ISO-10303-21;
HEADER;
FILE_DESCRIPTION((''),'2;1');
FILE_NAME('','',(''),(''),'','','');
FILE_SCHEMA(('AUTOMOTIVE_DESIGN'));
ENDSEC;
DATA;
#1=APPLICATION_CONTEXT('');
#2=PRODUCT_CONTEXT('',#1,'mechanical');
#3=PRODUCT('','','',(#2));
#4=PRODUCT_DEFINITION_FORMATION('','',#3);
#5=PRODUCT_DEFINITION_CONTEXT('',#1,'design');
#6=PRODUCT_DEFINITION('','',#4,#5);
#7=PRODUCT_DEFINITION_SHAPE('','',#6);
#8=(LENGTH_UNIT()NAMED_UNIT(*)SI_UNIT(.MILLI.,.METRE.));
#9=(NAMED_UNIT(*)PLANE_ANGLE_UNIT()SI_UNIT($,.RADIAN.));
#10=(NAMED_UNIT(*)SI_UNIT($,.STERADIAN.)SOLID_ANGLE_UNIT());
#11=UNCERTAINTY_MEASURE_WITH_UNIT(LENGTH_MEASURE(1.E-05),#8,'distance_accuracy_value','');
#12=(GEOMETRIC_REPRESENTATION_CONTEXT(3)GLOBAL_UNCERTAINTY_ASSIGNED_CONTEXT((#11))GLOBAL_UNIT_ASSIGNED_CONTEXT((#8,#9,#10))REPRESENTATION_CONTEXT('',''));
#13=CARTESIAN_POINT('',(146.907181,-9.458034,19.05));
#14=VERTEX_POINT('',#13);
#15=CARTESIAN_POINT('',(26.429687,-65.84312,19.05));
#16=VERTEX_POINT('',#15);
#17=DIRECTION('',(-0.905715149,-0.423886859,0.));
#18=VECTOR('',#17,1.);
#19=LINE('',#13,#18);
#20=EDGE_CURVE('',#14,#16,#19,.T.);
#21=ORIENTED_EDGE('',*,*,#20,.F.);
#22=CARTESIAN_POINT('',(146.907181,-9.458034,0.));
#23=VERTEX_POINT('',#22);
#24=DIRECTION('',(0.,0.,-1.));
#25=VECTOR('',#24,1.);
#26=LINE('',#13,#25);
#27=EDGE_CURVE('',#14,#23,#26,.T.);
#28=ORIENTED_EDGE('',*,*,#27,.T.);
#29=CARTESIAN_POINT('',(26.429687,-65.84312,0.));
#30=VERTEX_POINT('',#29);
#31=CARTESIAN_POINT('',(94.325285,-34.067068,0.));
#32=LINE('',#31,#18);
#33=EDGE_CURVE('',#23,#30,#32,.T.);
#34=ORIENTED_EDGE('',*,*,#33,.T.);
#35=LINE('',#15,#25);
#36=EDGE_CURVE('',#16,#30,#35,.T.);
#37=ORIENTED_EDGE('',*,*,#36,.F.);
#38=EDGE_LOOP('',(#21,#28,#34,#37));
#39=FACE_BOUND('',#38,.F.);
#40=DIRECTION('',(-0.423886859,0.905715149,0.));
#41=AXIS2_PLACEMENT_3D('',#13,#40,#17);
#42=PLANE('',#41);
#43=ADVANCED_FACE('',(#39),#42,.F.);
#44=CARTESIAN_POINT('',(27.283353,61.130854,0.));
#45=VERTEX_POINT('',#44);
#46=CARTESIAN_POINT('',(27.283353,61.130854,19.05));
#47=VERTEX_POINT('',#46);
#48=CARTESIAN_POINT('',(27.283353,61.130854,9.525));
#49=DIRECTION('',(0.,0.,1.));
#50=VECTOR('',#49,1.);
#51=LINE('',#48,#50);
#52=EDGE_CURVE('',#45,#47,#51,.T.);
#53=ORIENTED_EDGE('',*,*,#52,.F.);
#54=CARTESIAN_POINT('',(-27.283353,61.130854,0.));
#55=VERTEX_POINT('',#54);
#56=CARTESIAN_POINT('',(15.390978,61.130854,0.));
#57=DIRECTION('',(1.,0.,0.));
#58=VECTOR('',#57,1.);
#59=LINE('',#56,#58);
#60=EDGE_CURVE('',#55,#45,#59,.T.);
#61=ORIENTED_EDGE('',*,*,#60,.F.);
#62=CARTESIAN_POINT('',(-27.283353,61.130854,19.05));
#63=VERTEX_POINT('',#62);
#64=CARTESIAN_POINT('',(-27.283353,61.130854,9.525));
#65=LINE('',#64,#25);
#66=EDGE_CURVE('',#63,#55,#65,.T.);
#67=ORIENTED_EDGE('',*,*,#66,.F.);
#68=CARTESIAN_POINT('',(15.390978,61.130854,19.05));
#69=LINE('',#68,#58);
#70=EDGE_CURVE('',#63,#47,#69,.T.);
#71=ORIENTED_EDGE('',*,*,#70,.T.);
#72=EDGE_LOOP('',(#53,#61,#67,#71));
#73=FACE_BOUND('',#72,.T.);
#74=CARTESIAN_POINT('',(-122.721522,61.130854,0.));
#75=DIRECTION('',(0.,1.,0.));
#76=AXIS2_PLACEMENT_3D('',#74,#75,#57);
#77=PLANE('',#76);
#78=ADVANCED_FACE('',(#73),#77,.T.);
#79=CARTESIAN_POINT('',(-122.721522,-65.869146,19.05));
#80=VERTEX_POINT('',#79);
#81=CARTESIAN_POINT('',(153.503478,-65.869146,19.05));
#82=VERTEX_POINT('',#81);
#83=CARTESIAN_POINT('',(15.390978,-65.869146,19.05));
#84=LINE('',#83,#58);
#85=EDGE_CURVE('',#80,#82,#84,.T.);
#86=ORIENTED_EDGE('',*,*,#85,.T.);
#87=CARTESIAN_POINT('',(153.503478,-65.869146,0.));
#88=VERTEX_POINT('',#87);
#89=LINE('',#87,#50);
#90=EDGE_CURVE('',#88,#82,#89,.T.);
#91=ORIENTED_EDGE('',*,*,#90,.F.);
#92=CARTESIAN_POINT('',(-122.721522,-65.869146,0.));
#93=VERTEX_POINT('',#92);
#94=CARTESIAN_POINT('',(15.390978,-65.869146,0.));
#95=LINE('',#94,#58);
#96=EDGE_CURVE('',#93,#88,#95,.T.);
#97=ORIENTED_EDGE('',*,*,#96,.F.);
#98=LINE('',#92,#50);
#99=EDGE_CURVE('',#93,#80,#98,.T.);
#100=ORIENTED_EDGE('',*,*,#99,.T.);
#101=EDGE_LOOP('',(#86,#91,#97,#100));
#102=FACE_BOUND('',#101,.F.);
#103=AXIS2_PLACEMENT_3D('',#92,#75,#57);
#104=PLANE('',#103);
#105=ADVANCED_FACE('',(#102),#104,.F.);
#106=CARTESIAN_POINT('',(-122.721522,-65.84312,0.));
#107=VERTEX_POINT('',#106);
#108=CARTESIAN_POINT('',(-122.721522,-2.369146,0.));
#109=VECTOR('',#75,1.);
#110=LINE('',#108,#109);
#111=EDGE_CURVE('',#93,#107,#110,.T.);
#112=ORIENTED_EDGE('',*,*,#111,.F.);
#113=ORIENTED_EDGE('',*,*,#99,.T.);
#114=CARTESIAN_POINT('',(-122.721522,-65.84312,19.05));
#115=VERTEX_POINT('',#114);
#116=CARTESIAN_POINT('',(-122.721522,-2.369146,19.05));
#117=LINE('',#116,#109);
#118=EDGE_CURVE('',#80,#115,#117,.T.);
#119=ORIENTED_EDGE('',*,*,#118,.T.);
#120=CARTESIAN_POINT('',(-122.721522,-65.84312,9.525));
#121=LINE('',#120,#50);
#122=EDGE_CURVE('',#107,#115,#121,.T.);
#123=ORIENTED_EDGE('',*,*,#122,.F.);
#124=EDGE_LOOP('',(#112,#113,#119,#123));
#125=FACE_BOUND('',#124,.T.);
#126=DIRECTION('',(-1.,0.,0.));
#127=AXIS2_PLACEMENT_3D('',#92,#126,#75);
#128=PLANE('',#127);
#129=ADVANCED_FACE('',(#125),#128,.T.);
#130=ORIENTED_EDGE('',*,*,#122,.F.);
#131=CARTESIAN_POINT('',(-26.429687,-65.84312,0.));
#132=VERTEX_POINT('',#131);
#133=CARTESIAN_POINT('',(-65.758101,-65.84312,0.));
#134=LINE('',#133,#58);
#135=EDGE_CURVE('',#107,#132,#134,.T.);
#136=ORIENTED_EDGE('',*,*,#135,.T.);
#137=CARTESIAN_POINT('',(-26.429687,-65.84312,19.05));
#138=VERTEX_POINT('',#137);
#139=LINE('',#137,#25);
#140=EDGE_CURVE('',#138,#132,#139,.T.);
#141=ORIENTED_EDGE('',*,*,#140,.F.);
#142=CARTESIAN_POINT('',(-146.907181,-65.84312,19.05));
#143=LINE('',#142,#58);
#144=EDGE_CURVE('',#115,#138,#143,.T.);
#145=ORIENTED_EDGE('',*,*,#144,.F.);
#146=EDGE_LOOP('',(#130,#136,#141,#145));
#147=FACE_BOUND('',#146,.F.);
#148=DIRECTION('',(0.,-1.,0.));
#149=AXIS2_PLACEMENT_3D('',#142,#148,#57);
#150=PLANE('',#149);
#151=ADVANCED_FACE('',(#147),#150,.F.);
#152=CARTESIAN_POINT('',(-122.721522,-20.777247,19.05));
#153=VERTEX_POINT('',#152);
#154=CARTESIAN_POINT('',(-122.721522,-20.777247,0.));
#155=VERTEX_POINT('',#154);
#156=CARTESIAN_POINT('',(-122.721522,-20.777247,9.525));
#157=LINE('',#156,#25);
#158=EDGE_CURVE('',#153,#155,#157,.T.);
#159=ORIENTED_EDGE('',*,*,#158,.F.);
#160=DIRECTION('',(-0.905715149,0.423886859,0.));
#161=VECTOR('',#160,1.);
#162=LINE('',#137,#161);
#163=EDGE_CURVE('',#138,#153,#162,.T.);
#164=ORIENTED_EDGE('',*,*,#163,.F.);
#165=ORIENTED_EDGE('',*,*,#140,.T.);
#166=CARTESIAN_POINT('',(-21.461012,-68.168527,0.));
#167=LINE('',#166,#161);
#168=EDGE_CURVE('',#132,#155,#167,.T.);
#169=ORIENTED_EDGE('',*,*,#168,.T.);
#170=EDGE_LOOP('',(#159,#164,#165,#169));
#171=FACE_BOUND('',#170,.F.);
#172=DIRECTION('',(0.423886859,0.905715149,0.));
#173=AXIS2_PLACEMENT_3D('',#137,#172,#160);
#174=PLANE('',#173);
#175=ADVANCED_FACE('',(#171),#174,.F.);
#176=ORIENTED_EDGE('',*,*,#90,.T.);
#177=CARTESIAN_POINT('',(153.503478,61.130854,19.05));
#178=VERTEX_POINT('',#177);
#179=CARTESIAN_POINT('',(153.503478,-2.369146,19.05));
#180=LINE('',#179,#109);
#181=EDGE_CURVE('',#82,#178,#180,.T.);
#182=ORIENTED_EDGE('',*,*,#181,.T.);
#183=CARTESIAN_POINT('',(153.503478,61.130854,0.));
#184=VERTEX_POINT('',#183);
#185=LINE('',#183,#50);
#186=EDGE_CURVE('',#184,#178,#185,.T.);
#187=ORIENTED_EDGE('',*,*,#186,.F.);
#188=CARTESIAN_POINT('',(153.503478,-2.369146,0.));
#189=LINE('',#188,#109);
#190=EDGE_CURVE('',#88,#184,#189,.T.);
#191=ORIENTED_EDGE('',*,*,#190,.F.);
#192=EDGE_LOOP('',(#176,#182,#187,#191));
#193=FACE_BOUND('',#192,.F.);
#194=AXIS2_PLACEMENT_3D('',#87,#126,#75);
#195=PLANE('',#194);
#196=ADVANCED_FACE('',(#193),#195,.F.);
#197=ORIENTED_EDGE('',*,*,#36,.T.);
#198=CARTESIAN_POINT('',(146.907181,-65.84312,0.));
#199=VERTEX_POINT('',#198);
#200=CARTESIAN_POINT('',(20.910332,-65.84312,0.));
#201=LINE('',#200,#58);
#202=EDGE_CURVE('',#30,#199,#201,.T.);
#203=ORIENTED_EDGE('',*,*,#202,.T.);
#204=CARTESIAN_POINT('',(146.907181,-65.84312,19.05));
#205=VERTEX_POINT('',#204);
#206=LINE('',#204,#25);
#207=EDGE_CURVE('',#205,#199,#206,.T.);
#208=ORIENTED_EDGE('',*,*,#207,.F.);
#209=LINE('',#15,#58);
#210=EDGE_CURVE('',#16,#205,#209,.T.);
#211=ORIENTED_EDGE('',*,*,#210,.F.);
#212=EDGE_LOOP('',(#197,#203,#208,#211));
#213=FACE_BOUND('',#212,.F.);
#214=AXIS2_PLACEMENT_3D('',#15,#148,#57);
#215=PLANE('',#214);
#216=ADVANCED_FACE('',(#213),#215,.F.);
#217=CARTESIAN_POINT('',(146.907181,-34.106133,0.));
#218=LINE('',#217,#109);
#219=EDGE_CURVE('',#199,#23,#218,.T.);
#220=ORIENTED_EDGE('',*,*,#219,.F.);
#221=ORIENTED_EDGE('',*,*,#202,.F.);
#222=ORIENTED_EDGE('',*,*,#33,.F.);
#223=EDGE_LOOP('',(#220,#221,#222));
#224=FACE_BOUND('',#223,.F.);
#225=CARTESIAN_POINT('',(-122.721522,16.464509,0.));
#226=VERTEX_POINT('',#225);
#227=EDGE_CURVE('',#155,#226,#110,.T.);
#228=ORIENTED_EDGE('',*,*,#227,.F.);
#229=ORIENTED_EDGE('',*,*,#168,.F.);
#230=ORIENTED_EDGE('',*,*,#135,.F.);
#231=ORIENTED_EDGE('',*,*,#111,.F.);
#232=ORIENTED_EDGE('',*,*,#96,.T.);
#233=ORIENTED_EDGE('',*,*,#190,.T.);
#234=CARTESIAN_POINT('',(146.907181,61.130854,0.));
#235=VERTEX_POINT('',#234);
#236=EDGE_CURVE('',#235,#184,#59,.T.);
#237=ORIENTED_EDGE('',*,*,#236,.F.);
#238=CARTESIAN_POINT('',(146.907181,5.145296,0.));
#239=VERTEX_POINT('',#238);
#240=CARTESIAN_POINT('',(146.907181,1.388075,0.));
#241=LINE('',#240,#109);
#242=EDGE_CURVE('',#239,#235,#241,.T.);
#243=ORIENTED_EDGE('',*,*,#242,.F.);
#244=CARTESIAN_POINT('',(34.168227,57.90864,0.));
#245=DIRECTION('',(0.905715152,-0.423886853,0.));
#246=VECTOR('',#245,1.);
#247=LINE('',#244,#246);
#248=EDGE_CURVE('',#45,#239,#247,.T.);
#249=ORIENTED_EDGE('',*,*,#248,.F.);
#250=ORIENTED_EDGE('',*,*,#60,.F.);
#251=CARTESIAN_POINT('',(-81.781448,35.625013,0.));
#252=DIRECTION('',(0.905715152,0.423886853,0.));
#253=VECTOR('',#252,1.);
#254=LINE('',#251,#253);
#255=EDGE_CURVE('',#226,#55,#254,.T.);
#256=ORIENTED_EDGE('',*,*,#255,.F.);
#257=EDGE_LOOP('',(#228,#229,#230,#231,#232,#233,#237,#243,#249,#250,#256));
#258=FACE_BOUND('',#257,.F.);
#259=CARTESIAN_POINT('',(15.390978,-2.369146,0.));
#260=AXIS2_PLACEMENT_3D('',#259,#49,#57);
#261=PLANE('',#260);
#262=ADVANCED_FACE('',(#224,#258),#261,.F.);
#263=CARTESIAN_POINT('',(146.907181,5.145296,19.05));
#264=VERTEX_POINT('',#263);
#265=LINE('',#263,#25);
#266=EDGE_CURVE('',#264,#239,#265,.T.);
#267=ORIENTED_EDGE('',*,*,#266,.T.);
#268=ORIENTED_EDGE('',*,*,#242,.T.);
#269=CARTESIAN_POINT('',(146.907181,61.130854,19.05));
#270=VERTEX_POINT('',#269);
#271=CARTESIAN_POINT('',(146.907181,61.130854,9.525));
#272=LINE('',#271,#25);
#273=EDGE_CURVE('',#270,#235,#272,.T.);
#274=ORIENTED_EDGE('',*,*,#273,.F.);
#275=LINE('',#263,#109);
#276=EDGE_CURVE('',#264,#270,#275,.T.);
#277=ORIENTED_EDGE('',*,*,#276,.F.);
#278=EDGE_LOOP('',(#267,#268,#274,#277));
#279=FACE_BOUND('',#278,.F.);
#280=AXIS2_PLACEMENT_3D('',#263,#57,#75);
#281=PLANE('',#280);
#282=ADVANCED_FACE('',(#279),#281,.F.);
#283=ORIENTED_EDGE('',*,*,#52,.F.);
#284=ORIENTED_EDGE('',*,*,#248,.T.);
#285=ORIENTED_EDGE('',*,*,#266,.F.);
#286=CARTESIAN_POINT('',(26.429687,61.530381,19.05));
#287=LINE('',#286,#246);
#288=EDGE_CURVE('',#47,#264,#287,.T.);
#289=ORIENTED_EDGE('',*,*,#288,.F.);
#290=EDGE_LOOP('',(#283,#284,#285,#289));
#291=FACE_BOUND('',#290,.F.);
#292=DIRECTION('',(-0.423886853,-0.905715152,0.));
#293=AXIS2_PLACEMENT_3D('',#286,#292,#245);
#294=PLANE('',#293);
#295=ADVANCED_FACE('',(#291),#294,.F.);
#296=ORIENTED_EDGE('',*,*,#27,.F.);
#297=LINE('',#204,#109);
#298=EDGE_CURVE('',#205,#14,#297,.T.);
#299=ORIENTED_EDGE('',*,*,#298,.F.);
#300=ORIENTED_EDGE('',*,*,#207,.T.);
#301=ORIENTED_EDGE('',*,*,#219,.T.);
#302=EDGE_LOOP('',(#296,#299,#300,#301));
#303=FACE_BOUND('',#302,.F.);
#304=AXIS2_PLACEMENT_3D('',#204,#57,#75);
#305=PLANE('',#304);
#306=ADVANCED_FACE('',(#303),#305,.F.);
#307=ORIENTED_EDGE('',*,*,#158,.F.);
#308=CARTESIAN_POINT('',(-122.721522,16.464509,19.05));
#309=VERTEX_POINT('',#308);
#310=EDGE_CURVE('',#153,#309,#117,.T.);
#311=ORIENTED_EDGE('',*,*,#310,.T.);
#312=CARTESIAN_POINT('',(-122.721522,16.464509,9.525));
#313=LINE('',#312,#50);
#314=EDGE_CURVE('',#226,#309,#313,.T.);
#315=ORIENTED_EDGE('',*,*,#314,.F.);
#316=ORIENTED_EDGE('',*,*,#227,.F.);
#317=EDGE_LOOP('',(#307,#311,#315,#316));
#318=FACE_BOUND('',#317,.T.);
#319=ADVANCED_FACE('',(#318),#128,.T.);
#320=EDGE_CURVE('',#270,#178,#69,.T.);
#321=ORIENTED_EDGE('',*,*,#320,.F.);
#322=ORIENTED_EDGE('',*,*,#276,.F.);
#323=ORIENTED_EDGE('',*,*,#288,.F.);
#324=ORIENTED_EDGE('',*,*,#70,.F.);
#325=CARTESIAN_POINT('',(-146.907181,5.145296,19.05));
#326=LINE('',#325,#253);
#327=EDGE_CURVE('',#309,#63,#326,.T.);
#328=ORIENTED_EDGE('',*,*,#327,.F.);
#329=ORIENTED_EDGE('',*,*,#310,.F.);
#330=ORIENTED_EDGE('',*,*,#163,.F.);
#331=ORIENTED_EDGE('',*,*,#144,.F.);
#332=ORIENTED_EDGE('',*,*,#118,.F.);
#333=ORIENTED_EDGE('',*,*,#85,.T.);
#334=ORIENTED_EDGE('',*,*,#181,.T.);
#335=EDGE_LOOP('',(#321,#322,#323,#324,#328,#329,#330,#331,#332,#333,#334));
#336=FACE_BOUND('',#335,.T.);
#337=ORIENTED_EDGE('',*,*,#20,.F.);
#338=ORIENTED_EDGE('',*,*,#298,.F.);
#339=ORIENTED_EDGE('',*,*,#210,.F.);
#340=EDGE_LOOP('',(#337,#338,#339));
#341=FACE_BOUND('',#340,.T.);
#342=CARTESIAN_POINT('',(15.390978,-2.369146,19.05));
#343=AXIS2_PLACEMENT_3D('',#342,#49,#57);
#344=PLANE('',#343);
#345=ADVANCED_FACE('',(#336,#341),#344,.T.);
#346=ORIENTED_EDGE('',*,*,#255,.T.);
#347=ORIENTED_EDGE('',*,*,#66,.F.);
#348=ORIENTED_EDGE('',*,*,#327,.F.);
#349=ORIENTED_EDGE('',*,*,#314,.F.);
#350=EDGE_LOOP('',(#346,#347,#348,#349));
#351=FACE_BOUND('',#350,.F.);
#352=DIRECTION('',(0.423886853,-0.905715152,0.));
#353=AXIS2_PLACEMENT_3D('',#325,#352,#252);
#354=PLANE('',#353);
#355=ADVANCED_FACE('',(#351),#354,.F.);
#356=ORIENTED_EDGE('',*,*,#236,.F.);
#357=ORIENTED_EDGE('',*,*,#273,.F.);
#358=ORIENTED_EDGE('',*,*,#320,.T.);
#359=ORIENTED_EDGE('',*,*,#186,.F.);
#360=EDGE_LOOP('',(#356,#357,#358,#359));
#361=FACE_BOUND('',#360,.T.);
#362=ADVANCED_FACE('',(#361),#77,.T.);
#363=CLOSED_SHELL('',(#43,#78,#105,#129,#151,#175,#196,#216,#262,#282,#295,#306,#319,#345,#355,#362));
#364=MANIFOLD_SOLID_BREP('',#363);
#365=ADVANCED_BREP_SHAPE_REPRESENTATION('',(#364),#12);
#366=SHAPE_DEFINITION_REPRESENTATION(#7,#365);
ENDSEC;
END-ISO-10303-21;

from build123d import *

# Parameters (mm, degrees)
F0_W     = 276.225
F0_H     = 127
F1_DEPTH = 19.05
F4_DEPTH = 25.4


with BuildPart() as f1:
    # F0 (on Top) → F1 (new body)
    with BuildSketch(Plane.XY):
        with Locations((15.390978, -2.369146)):
            Rectangle(F0_W, F0_H)
    extrude(amount=F1_DEPTH)

    # F3 (on face) → F4 (cut)
    with BuildSketch(Plane.XY.offset(19.05)):
        Polygon((-26.429687, 61.530381), (-146.907181, 61.530381), (-146.907181, 5.145296), align=None)
        Polygon((-146.907181, -65.84312), (-26.429687, -65.84312), (-146.907181, -9.458034), align=None)
        Polygon((146.907181, 61.530381), (26.429687, 61.530381), (146.907181, 5.145296), align=None)
        Polygon((26.429687, -65.84312), (146.907181, -65.84312), (146.907181, -9.458034), align=None)
    extrude(amount=-F4_DEPTH, mode=Mode.SUBTRACT)


solid = f1.part
